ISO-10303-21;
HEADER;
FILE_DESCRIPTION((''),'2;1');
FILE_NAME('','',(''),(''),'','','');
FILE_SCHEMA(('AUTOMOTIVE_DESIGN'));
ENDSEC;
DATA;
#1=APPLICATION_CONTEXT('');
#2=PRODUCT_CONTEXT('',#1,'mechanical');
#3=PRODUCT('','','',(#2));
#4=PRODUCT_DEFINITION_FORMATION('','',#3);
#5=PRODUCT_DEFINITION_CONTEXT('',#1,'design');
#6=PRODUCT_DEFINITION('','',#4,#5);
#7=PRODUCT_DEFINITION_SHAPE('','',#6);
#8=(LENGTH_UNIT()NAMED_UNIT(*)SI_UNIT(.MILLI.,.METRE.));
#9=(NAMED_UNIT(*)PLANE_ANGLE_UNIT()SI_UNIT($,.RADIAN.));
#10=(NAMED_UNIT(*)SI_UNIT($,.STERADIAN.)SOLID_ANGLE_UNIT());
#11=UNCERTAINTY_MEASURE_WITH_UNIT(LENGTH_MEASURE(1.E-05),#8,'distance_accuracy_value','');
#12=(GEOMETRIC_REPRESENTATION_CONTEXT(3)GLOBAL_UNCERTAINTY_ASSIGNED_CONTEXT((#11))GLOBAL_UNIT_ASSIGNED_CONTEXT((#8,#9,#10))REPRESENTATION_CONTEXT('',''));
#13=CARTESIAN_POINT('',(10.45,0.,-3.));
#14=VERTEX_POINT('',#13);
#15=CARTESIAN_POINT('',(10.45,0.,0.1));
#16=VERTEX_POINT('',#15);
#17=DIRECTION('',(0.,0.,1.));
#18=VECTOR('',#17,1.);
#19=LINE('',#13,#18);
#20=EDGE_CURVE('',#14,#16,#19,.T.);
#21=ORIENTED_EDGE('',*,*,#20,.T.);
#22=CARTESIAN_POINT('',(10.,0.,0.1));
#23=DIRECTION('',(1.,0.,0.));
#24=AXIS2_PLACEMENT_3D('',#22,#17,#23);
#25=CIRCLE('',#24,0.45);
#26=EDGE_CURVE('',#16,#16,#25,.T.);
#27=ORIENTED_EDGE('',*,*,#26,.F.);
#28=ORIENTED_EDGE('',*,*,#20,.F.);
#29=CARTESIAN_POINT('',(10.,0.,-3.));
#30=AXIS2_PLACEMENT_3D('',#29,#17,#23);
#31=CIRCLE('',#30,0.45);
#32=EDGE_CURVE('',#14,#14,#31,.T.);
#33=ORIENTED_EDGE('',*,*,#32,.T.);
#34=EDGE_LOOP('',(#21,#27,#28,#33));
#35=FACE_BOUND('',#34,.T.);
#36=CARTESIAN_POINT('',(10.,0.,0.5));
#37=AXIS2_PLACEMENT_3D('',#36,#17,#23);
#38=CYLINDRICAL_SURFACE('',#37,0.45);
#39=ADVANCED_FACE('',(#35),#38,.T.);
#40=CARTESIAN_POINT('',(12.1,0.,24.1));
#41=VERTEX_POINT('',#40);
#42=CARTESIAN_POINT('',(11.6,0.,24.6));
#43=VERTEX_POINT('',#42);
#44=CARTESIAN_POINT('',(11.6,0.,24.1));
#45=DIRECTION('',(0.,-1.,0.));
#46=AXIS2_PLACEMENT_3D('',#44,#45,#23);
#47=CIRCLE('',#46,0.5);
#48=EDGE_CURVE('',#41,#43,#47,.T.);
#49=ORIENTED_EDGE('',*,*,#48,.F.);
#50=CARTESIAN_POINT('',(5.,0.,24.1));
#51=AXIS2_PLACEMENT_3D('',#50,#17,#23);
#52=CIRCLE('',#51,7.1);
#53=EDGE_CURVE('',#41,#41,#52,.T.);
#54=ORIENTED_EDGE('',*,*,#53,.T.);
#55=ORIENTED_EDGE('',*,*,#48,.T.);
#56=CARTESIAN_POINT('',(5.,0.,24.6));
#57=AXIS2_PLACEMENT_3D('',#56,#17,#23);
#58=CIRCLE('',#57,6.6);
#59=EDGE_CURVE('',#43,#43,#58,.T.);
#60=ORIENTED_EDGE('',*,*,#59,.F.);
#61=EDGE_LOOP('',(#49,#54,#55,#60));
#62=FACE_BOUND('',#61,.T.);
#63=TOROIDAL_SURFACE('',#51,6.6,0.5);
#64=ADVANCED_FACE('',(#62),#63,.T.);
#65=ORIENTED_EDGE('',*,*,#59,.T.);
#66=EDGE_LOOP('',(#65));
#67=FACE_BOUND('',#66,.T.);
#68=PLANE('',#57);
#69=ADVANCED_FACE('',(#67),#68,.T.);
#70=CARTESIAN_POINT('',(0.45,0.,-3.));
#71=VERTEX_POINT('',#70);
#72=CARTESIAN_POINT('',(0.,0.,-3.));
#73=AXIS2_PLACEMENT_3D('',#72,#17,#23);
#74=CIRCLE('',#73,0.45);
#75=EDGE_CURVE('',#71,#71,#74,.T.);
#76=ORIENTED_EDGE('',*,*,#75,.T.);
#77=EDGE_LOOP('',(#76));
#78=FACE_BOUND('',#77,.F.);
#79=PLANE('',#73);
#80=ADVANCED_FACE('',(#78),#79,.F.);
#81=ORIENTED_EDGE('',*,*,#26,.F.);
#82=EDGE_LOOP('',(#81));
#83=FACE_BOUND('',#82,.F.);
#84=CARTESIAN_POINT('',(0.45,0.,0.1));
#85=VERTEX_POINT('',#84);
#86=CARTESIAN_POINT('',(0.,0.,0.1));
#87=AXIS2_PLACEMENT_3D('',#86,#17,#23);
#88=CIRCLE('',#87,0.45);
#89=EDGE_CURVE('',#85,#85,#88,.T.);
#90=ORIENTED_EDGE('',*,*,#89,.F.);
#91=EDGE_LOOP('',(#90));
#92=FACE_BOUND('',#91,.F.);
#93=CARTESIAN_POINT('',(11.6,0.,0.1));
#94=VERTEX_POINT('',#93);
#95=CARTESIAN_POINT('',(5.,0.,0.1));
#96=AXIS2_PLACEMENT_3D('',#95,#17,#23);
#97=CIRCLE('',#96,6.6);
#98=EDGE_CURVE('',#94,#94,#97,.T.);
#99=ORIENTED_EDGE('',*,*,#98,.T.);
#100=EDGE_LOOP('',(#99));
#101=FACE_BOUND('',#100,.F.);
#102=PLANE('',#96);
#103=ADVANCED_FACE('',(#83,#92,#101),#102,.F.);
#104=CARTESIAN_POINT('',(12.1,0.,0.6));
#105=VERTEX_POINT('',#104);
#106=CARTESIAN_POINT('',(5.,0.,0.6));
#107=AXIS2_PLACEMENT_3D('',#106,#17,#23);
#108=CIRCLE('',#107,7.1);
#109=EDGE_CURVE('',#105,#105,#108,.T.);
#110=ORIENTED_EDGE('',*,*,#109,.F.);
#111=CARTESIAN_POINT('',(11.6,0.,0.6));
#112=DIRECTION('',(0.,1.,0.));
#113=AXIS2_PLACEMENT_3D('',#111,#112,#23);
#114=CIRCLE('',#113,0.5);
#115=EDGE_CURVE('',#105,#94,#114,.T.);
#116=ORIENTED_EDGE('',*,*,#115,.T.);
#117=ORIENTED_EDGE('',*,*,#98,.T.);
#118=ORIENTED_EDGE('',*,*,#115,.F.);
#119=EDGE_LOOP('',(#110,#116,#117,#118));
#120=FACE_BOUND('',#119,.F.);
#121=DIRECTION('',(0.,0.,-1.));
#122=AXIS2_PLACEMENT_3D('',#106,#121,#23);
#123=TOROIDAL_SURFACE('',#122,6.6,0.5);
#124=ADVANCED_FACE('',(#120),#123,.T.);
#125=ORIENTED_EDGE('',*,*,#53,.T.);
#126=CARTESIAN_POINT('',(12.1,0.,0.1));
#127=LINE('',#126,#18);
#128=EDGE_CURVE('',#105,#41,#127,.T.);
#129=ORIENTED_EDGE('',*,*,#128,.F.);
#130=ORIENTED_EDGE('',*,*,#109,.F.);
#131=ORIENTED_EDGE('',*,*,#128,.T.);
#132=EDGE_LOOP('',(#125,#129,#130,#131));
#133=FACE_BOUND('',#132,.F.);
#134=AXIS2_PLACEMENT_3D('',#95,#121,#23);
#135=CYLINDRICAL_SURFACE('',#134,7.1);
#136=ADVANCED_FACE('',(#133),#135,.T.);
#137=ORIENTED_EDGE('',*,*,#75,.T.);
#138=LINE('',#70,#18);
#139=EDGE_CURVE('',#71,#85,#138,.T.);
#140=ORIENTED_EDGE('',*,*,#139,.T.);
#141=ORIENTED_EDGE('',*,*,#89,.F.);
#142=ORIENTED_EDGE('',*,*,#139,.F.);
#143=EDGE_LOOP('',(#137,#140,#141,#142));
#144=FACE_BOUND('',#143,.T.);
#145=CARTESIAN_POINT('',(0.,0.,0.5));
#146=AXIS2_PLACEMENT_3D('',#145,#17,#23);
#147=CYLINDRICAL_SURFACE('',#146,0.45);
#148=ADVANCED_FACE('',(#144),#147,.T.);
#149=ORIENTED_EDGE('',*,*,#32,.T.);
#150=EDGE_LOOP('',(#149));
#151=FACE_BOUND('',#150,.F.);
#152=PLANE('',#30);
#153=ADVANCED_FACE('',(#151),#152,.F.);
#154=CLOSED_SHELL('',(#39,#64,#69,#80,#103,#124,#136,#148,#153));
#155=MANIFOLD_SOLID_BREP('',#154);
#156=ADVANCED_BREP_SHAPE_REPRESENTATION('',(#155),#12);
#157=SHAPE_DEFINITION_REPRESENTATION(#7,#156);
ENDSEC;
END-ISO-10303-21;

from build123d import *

# Parameters (mm, degrees)
SKETCH001_R       = 0.45
PAD001_DEPTH      = 12.25
PAD001_DEPTH_BACK = 3.5
SKETCH_R          = 7.1
PAD_DEPTH         = 24.5
FILLET_R          = 0.5


with BuildPart() as pad001:
    # Sketch001 → Pad001 (new body, two sides)
    with BuildSketch(Plane.XY.offset(0.5)) as pad001_sk:
        Circle(SKETCH001_R)
        with Locations((10, 0)):
            Circle(SKETCH001_R)
    extrude(amount=PAD001_DEPTH)
    extrude(pad001_sk.sketch, amount=-PAD001_DEPTH_BACK)


with BuildPart() as l_radial_d14_2mm_p10_00mm_neosid_sd14:
    # Sketch → Pad (new body)
    with BuildSketch(Plane.XY.offset(0.1)):
        with Locations((5, 0)):
            Circle(SKETCH_R)
    extrude(amount=PAD_DEPTH)

    # Fillet
    fillet_edges = [l_radial_d14_2mm_p10_00mm_neosid_sd14.edges().sort_by_distance(p)[0] for p in [
        (-2.1, 0, 0.1),
        (-2.1, 0, 24.6),
    ]]
    fillet(fillet_edges, radius=FILLET_R)

    # Fillet_mp_cp: union Pad001
    add(pad001.part)


solid = l_radial_d14_2mm_p10_00mm_neosid_sd14.part
